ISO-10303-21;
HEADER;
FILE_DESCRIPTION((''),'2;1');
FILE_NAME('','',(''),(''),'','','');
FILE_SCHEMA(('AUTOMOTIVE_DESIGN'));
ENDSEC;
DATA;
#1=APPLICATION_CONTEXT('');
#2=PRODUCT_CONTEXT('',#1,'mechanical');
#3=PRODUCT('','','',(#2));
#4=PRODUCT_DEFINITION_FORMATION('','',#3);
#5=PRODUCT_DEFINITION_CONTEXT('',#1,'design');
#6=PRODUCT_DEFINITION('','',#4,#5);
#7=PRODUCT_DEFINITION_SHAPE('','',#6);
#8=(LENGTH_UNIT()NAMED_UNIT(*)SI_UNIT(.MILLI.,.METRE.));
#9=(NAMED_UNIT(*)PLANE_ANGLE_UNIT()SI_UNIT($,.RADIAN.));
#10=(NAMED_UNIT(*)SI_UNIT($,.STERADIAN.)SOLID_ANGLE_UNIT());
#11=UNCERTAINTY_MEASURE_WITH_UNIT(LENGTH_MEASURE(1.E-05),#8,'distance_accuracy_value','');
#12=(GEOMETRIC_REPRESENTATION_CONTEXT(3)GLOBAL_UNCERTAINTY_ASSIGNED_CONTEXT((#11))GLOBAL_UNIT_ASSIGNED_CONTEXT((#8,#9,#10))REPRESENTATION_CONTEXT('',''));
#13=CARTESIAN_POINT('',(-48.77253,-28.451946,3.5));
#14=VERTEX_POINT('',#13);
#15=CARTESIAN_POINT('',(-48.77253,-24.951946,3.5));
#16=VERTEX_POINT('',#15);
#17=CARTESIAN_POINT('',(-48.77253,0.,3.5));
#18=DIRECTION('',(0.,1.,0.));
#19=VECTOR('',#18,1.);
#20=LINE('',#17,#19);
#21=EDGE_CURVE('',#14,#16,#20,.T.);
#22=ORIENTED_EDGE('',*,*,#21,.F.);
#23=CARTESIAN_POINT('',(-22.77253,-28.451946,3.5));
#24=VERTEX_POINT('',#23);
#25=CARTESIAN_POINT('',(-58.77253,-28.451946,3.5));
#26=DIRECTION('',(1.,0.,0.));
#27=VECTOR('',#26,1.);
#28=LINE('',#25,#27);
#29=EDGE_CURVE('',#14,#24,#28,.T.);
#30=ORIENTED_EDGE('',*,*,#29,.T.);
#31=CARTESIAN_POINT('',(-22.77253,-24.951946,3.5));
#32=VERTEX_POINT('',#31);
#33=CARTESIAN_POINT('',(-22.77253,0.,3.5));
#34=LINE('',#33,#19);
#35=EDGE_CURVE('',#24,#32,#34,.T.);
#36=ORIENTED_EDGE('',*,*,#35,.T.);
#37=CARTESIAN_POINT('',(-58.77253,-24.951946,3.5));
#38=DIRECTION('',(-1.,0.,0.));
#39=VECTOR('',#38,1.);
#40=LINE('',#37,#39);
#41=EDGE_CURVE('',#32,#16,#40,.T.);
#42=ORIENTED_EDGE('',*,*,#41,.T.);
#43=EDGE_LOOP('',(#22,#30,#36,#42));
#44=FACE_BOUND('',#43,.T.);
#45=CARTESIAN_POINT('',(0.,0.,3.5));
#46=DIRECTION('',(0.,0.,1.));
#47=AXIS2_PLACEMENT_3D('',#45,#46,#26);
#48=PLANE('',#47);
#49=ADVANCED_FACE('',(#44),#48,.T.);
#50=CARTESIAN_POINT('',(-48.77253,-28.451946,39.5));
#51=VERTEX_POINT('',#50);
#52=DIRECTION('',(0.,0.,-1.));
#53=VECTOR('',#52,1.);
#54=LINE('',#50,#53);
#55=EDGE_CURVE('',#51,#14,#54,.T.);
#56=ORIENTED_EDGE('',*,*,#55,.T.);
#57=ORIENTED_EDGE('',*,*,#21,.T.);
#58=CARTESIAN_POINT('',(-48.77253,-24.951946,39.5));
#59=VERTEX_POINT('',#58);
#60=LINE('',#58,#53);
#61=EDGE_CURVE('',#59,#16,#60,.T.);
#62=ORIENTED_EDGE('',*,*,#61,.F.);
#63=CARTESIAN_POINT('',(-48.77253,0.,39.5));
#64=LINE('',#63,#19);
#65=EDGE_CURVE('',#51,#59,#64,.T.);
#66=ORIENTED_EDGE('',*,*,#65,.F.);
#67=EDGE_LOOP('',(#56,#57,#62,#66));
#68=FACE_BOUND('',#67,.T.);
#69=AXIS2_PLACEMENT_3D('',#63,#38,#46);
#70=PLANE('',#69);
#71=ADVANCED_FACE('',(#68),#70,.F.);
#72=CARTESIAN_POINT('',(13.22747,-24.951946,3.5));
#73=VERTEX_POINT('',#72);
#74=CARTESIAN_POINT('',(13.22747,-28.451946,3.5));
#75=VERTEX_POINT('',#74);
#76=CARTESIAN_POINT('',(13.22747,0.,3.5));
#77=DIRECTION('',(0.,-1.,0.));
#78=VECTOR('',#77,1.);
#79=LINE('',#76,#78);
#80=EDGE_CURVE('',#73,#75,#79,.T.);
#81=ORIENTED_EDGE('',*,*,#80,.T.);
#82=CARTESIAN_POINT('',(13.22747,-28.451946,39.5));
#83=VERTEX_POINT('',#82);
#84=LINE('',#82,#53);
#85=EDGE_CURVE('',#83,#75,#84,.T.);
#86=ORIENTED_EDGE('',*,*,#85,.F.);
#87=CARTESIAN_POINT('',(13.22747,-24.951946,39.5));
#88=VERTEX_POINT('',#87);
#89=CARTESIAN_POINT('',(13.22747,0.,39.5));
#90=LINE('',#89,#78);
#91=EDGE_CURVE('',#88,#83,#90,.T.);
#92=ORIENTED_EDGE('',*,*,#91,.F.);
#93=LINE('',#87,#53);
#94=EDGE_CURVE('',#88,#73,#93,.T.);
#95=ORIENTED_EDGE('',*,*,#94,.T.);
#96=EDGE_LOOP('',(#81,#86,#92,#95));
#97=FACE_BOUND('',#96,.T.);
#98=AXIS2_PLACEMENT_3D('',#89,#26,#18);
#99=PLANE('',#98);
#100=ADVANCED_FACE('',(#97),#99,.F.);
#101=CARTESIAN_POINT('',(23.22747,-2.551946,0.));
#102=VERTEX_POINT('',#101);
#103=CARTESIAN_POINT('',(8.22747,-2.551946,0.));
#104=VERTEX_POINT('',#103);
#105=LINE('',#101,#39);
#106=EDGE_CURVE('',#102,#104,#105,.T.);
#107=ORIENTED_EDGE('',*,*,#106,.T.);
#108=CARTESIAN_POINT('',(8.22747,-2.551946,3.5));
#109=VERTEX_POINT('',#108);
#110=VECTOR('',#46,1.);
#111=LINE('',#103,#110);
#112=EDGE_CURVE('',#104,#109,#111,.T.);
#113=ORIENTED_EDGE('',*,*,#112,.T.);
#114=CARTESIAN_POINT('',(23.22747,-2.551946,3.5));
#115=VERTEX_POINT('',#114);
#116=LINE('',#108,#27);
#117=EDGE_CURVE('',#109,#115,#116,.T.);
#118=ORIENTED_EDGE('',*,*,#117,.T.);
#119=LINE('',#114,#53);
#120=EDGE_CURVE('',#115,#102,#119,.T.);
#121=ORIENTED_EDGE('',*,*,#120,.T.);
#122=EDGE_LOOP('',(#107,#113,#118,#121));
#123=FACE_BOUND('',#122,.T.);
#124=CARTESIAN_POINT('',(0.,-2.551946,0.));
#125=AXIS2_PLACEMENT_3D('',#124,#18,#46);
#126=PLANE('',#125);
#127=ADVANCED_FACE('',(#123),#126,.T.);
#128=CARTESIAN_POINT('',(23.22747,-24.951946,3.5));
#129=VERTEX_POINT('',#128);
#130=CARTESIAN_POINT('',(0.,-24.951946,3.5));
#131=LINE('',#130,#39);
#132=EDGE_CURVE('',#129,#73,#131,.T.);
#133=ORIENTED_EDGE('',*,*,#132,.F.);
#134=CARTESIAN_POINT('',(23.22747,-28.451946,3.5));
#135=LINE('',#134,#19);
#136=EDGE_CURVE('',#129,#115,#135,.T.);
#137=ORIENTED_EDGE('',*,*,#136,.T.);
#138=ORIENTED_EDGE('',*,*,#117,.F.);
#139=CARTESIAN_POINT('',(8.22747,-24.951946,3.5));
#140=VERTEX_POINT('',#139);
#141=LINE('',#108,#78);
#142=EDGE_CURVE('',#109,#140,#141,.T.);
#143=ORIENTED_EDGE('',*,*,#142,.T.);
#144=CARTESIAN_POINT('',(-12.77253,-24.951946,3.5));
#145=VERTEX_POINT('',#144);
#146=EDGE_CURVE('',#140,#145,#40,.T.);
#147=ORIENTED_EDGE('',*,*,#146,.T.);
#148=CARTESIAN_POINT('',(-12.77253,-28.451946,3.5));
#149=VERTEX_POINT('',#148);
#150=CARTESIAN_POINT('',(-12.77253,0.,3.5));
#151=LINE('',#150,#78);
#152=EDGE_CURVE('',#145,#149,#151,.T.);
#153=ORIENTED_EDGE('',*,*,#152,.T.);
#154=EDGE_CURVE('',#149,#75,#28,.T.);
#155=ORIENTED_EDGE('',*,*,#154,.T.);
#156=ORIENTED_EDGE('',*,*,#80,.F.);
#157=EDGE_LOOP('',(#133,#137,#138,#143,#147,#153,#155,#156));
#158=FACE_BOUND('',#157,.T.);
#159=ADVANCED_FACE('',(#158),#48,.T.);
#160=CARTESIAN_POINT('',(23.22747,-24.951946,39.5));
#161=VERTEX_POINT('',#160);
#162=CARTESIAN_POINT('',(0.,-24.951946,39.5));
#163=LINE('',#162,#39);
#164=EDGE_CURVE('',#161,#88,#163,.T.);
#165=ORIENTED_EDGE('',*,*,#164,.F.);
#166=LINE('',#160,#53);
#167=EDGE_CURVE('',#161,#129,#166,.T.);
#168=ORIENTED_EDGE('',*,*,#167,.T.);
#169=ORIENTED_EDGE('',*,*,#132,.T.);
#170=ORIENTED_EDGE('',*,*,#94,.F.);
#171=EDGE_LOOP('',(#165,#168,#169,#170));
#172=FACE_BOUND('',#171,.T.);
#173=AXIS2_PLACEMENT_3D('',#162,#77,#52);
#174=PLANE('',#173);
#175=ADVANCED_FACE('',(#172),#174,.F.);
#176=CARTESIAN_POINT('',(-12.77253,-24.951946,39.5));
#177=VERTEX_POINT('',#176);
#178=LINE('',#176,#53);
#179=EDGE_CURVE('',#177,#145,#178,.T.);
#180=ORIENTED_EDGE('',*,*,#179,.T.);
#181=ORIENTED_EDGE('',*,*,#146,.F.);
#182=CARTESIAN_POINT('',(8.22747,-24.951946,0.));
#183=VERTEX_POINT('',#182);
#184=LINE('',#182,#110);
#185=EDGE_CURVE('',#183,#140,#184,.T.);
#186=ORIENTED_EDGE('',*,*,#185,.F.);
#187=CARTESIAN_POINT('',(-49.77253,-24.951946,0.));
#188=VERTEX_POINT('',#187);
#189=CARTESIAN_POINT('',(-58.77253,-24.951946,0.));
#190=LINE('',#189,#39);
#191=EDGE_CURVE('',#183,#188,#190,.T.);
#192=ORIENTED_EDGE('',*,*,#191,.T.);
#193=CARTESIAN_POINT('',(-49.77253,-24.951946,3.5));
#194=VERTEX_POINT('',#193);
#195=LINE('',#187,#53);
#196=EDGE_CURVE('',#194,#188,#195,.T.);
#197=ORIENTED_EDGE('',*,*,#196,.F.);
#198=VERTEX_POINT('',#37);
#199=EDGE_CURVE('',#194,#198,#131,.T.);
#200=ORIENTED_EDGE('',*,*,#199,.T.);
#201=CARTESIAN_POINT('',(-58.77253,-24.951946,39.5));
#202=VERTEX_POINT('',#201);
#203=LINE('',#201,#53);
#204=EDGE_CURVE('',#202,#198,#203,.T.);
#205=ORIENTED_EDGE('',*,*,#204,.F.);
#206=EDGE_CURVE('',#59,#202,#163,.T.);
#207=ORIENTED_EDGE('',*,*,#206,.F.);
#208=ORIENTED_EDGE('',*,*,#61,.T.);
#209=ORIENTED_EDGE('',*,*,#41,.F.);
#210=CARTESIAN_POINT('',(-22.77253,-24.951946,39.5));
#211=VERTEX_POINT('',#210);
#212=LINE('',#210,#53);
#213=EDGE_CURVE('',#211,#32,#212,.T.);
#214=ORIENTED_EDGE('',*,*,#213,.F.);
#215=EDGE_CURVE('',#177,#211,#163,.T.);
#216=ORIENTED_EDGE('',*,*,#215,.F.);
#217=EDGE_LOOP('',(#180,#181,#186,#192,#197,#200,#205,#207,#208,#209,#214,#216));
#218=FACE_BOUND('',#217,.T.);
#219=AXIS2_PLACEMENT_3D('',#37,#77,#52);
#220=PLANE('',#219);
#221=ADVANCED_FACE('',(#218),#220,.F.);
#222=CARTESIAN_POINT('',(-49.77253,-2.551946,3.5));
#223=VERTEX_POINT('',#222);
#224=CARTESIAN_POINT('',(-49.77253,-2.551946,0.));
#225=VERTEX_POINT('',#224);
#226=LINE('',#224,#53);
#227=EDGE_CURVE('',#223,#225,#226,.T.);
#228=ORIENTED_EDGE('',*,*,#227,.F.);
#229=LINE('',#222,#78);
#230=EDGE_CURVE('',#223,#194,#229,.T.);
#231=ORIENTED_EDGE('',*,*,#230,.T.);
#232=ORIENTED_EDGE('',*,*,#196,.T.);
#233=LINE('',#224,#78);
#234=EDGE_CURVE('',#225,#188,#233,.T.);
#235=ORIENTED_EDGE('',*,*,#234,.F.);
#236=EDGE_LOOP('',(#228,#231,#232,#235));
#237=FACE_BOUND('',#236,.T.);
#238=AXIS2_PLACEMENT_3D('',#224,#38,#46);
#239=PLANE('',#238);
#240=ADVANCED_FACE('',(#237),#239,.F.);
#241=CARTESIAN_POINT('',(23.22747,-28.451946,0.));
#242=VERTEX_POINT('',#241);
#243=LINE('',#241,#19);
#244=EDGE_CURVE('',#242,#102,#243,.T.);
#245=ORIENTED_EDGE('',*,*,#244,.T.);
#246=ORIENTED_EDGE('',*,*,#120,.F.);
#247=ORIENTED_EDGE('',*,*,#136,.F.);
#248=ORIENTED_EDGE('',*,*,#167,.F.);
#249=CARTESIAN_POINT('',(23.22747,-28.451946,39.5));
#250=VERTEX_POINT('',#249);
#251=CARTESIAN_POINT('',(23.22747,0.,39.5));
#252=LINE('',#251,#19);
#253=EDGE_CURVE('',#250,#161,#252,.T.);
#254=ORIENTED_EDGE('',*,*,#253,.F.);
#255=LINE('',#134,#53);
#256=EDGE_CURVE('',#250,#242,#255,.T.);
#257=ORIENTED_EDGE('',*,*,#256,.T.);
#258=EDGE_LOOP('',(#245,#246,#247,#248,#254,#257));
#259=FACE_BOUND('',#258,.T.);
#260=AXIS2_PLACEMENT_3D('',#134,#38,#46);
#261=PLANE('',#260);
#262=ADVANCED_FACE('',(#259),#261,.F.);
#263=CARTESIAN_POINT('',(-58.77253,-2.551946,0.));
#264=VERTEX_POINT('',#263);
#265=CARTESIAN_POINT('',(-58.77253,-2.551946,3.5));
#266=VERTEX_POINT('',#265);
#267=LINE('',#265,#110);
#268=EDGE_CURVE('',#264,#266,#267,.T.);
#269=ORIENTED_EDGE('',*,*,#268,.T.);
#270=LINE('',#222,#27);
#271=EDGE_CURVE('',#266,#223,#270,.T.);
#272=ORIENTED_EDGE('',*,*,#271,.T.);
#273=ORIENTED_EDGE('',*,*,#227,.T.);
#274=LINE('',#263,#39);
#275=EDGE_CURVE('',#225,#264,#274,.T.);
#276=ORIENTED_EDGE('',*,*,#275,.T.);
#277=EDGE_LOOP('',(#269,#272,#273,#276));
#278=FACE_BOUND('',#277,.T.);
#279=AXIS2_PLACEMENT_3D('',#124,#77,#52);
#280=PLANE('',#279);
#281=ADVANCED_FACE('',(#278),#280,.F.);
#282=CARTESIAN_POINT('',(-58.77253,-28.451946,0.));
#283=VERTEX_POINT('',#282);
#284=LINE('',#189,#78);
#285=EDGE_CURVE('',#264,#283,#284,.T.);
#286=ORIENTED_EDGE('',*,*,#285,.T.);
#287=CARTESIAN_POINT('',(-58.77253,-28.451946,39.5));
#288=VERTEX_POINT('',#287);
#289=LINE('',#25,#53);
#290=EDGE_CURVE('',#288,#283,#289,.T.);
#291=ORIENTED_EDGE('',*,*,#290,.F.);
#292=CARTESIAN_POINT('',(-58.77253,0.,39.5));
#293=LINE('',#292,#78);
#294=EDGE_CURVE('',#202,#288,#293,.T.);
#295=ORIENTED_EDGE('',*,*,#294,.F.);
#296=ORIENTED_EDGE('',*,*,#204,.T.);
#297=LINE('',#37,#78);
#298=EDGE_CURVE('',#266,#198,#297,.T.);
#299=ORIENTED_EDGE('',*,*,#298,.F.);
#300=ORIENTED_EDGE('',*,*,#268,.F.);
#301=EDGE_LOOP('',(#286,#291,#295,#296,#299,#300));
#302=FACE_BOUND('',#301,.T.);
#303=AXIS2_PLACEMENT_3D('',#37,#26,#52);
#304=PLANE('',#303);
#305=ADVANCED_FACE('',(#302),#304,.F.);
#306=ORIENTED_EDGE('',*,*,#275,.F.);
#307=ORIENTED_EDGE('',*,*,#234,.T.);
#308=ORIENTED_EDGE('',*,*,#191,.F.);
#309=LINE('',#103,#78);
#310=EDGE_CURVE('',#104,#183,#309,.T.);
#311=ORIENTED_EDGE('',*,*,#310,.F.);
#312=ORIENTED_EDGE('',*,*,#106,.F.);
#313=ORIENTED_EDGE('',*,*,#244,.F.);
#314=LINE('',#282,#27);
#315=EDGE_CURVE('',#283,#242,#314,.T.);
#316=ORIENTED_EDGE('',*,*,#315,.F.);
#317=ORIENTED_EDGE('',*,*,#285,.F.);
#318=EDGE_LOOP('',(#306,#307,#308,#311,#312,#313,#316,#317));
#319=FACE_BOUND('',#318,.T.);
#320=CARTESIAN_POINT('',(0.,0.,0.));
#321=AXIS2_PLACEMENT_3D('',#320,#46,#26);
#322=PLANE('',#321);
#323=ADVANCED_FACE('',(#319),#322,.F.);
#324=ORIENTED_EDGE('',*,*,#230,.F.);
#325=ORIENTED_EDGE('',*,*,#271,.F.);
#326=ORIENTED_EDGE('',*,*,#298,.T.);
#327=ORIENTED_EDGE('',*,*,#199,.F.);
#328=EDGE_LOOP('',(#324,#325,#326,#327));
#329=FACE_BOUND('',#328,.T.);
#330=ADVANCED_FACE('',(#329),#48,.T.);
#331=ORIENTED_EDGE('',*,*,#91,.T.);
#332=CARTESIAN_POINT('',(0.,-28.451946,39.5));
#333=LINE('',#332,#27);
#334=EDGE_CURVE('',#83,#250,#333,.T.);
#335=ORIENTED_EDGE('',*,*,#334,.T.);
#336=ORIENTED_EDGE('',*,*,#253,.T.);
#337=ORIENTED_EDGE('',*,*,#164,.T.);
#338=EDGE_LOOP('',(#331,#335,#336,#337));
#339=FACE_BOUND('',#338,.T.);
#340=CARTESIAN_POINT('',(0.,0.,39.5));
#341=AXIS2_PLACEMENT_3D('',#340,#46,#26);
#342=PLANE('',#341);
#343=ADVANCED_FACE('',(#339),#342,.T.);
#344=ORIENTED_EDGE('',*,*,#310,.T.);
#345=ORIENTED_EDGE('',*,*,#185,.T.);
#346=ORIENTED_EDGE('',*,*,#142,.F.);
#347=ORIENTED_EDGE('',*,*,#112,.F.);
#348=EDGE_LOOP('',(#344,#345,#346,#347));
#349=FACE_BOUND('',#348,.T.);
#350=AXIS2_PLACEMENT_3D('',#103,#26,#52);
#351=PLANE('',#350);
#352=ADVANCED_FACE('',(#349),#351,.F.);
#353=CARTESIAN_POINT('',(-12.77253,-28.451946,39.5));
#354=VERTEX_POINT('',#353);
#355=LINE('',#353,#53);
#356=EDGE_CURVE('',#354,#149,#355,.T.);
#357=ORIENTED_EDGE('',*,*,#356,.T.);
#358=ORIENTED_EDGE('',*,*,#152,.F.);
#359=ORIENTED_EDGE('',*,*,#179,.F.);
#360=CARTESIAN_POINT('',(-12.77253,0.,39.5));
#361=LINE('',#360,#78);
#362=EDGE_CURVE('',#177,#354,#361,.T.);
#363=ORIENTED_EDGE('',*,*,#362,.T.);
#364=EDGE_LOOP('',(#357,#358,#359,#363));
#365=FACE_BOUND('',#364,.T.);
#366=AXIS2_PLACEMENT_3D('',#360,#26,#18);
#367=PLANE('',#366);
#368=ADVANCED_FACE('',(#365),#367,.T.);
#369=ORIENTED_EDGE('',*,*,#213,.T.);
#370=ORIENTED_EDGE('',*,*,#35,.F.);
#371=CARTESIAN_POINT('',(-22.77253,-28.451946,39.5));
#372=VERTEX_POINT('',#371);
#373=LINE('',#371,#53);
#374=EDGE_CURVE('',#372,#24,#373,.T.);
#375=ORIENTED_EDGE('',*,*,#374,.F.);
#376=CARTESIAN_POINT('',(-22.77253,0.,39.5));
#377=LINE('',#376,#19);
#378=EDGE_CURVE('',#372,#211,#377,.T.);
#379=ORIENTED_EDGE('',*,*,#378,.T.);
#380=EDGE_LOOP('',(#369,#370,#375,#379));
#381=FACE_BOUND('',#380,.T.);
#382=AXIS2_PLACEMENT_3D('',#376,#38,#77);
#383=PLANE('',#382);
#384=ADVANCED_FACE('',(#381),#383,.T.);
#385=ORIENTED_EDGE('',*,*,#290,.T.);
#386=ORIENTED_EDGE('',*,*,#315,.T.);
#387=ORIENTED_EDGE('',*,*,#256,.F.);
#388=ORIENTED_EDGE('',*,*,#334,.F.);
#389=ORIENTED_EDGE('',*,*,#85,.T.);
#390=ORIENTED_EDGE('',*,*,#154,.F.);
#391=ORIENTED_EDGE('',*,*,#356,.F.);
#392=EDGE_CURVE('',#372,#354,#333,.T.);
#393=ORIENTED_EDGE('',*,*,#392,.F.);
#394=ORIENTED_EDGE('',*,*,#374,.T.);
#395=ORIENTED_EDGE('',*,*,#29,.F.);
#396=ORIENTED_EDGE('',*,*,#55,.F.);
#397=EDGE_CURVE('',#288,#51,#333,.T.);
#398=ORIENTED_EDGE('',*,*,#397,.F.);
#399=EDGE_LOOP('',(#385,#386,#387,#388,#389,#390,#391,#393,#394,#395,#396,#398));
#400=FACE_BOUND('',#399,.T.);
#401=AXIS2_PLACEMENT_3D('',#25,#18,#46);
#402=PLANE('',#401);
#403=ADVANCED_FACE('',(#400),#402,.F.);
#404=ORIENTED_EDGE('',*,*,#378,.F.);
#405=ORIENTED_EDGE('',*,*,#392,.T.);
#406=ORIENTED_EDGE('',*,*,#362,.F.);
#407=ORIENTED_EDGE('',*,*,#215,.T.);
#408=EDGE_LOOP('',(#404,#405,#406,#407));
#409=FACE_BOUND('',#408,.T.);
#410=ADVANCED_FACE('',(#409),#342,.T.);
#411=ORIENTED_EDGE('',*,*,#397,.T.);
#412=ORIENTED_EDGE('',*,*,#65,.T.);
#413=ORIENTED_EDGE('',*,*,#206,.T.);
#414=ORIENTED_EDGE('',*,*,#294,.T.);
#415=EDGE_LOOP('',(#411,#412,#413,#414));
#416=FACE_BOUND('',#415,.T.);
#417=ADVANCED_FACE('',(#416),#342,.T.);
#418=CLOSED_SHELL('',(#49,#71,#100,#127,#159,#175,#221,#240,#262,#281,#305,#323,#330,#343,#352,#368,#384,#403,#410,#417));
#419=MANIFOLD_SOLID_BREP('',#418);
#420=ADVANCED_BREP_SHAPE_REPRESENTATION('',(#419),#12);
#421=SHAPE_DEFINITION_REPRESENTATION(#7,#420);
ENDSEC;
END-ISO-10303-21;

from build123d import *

# Parameters (mm, degrees)
CROQUIS1_W              = 82
CROQUIS1_H              = 3.5
SALIENTE_EXTRUIR1_DEPTH = 3.5
CROQUIS2_W              = 15
CROQUIS2_H              = 3.5
CROQUIS2_W_2            = 9
SALIENTE_EXTRUIR2_DEPTH = 22.4
CROQUIS3_W              = 10
CROQUIS3_H              = 3.5
SALIENTE_EXTRUIR3_DEPTH = 36


with BuildPart() as part:
    # Croquis1 → Saliente-Extruir1 (new body)
    with BuildSketch(Plane.XY):
        with Locations((-17.772529993, -26.701946472)):
            Rectangle(CROQUIS1_W, CROQUIS1_H)
    extrude(amount=SALIENTE_EXTRUIR1_DEPTH)

    # Croquis2 → Saliente-Extruir2 (add)
    with BuildSketch(Plane(origin=(0, -24.951946472, 0), x_dir=(1, 0, 0), z_dir=(0, 1, 0))):
        with Locations((15.727470007, -1.75)):
            Rectangle(CROQUIS2_W, CROQUIS2_H)
        with Locations((-54.272529993, -1.75)):
            Rectangle(CROQUIS2_W_2, CROQUIS2_H)
    extrude(amount=SALIENTE_EXTRUIR2_DEPTH)

    # Croquis3 → Saliente-Extruir3 (add)
    with BuildSketch(Plane.XY.offset(3.5)):
        with Locations((-53.772529993, -26.701946472)):
            Rectangle(CROQUIS3_W, CROQUIS3_H)
        with Locations((-17.772529993, -26.701946472)):
            Rectangle(CROQUIS3_W, CROQUIS3_H)
        with Locations((18.227470007, -26.701946472)):
            Rectangle(CROQUIS3_W, CROQUIS3_H)
    extrude(amount=SALIENTE_EXTRUIR3_DEPTH)


solid = part.part
